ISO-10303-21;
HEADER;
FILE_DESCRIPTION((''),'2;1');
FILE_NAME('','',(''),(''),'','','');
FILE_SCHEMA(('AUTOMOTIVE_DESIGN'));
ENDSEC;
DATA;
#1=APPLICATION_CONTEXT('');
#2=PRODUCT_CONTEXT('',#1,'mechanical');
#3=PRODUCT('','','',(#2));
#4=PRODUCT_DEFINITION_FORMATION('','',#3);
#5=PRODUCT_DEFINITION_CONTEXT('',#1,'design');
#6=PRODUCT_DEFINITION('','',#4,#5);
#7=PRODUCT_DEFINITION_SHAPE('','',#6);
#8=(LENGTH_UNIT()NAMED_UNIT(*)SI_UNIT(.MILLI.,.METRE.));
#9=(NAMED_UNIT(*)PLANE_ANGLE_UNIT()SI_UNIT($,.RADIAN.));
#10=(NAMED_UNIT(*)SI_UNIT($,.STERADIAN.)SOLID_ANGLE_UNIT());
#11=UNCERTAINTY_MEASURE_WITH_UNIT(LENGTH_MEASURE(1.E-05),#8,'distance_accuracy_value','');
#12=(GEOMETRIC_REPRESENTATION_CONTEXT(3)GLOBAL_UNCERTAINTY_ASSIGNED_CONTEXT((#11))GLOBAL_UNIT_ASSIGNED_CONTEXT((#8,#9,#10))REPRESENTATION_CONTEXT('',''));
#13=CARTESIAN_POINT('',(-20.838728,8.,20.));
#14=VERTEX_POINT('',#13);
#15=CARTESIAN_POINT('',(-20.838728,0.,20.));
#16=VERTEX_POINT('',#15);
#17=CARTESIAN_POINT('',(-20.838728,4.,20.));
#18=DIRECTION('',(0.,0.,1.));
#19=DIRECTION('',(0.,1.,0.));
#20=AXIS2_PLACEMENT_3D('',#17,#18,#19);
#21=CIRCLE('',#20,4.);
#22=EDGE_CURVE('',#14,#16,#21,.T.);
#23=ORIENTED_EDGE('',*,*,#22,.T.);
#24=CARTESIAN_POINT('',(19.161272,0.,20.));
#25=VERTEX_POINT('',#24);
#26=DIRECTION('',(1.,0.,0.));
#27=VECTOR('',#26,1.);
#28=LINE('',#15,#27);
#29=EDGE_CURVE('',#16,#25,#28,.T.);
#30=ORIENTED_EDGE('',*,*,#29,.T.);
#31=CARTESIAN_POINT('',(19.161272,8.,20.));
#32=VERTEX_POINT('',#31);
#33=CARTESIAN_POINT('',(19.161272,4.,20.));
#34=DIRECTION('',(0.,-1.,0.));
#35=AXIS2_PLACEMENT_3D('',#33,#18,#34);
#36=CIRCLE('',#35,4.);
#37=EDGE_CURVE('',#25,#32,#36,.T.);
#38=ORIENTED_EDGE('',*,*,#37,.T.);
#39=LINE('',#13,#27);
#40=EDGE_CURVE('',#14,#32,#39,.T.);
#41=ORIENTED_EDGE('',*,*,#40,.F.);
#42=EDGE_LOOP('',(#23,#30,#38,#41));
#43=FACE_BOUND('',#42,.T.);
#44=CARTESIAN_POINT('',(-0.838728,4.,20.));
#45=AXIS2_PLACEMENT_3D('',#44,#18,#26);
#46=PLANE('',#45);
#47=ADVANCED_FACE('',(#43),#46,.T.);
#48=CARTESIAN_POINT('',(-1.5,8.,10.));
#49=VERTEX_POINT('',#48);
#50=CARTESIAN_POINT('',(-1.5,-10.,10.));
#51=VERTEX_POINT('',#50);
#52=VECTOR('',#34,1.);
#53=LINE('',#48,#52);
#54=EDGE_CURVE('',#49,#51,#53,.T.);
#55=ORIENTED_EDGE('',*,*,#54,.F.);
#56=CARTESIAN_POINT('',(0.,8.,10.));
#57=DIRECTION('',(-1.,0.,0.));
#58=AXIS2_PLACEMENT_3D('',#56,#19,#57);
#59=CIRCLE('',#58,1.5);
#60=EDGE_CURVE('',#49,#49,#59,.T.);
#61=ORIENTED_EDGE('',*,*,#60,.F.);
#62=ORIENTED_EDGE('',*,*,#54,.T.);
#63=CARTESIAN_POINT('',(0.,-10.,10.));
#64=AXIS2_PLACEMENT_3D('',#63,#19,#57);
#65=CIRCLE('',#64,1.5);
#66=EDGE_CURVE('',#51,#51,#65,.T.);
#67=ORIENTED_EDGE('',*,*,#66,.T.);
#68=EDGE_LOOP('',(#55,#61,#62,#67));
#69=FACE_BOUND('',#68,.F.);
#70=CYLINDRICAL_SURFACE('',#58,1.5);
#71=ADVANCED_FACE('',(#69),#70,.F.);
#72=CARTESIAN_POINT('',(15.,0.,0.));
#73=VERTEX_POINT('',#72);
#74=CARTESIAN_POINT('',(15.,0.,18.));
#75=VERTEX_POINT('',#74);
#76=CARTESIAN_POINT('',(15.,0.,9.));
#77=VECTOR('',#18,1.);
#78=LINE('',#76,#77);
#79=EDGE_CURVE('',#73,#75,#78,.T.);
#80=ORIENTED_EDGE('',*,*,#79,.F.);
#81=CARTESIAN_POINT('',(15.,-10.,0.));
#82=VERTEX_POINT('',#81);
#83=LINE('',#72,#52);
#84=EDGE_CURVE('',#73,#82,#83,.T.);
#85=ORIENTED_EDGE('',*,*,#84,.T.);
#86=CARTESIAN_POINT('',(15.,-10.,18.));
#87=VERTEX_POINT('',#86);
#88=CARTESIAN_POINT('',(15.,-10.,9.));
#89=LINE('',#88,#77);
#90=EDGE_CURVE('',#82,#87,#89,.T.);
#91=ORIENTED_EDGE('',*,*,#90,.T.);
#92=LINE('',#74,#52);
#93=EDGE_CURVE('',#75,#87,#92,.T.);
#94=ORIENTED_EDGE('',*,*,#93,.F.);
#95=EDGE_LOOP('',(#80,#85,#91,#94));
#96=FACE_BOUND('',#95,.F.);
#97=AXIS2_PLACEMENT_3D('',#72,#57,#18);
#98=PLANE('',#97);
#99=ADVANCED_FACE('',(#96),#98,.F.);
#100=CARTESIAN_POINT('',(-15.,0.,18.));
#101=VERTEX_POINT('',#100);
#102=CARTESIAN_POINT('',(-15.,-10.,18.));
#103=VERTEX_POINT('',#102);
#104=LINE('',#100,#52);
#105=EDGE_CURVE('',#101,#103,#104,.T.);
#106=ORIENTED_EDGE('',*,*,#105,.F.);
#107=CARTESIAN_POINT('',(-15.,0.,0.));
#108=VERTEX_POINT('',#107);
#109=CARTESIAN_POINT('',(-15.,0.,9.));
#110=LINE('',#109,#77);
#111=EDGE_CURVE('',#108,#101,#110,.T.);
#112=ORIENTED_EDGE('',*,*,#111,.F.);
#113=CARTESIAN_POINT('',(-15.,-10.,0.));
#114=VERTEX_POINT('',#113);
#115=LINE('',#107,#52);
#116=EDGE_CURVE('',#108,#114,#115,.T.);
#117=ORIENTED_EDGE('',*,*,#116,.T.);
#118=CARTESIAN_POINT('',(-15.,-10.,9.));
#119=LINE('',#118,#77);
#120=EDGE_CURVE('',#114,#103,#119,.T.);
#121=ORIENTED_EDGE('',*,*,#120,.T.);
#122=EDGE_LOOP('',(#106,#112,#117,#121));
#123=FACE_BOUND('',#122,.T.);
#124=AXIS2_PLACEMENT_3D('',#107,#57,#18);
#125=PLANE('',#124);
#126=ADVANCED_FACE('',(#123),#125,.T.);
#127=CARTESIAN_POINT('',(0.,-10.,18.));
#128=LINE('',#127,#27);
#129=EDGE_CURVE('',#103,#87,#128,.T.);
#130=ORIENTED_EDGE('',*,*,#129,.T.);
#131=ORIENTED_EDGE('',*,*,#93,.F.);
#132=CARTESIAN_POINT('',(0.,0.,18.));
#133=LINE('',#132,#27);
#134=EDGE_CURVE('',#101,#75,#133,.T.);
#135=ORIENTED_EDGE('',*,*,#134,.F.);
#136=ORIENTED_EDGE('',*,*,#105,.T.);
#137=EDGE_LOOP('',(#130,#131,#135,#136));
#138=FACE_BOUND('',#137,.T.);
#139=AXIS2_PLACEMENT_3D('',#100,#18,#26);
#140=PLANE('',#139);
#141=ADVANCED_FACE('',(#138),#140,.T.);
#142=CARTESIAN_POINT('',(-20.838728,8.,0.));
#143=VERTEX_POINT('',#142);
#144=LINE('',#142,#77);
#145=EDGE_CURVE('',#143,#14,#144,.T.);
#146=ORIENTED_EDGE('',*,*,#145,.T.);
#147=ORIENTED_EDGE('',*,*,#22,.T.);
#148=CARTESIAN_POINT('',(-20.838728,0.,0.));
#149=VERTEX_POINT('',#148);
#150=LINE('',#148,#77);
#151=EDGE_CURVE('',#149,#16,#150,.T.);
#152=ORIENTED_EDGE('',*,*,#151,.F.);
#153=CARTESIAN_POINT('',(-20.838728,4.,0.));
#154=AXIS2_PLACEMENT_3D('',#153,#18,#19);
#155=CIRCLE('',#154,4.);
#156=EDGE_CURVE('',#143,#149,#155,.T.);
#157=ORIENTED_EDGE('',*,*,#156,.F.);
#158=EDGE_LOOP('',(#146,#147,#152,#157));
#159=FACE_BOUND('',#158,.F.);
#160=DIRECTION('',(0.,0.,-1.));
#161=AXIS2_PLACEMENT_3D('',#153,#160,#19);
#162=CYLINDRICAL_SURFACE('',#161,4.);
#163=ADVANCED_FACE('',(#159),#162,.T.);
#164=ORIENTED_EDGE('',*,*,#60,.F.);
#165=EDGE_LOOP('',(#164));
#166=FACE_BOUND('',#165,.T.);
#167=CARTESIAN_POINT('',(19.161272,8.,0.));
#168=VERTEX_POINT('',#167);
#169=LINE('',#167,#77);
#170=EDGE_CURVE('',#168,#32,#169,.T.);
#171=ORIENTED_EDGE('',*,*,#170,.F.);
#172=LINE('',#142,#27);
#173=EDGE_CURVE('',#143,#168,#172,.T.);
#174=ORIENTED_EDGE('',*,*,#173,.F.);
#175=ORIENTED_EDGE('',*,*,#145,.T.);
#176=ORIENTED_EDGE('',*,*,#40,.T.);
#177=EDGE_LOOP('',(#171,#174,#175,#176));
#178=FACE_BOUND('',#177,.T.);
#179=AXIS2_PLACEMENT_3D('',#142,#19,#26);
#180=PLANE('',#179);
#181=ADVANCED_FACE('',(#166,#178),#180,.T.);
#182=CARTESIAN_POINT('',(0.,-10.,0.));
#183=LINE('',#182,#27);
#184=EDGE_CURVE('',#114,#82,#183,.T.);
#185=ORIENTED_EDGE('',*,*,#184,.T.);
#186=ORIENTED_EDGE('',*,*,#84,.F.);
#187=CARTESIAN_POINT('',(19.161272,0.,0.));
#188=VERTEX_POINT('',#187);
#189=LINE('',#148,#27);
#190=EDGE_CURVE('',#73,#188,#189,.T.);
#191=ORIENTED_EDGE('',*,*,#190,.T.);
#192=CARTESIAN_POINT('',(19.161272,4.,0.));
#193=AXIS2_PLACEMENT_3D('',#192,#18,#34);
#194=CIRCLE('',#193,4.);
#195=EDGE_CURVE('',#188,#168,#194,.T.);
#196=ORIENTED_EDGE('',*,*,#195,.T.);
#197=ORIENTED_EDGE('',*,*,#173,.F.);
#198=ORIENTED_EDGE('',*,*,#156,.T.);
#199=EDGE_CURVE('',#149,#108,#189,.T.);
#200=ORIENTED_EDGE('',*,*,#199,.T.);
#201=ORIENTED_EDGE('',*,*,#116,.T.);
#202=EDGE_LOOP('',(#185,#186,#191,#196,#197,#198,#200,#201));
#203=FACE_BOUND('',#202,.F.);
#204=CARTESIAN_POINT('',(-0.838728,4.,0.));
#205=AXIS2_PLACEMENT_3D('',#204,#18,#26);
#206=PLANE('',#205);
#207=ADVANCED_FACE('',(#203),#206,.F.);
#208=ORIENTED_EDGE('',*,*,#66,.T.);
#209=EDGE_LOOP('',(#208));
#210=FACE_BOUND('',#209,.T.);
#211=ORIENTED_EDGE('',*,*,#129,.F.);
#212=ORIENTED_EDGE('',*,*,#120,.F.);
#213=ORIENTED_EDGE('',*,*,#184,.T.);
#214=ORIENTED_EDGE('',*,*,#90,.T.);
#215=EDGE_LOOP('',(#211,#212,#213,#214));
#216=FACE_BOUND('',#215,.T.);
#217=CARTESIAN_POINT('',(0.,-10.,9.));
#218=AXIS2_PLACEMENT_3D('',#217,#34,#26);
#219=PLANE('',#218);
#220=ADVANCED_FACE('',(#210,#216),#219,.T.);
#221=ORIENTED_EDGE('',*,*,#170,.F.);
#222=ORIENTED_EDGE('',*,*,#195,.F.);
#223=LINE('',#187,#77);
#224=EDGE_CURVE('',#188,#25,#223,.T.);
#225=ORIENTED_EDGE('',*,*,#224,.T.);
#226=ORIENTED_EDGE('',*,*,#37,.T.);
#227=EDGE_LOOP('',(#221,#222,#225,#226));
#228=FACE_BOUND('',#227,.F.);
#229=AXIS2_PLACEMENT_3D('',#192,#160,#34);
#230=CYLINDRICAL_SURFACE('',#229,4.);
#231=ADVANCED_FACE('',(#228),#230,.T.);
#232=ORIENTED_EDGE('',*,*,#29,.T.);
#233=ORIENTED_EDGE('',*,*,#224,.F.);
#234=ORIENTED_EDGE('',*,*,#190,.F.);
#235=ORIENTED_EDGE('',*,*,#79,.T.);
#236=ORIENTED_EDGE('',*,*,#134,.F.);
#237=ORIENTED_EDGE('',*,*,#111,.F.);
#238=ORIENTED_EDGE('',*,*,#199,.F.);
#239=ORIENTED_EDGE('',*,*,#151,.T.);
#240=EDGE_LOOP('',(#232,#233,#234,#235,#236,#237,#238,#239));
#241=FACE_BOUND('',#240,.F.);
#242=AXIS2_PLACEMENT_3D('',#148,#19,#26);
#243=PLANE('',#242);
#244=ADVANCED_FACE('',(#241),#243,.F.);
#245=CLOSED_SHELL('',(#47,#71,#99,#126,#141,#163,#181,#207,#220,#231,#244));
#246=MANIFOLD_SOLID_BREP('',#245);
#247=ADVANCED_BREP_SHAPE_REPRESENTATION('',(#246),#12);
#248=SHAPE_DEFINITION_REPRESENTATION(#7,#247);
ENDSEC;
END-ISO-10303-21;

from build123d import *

# Parameters (mm, degrees)
PAD_DEPTH    = 20
SKETCH001_W  = 30
SKETCH001_H  = 18
PAD001_DEPTH = 10
SKETCH002_R  = 1.5
POCKET_DEPTH = 18.001


with BuildPart() as part:
    # Sketch → Pad (new body)
    with BuildSketch(Plane.XY):
        with BuildLine():
            ThreePointArc((-20.838728, 8), (-24.838728, 4), (-20.838728, 0))
            Line((-20.838728, 0), (19.161272, 0))
            ThreePointArc((19.161272, 0), (23.161272, 4), (19.161272, 8))
            Line((-20.838728, 8), (19.161272, 8))
        make_face()
    extrude(amount=PAD_DEPTH)

    # Sketch001 (on Face2 of Pad) → Pad001 (join)
    with BuildSketch(Plane.XZ):
        with Locations((0, 9)):
            Rectangle(SKETCH001_W, SKETCH001_H)
    extrude(amount=PAD001_DEPTH)

    # Sketch002 → Pocket (cut, through all)
    with BuildSketch(Plane(origin=(0, 8, 0), x_dir=(-1, 0, 0), z_dir=(0, 1, 0))):
        with Locations((0, 10)):
            Circle(SKETCH002_R)
    extrude(amount=-POCKET_DEPTH, mode=Mode.SUBTRACT)


solid = part.part
